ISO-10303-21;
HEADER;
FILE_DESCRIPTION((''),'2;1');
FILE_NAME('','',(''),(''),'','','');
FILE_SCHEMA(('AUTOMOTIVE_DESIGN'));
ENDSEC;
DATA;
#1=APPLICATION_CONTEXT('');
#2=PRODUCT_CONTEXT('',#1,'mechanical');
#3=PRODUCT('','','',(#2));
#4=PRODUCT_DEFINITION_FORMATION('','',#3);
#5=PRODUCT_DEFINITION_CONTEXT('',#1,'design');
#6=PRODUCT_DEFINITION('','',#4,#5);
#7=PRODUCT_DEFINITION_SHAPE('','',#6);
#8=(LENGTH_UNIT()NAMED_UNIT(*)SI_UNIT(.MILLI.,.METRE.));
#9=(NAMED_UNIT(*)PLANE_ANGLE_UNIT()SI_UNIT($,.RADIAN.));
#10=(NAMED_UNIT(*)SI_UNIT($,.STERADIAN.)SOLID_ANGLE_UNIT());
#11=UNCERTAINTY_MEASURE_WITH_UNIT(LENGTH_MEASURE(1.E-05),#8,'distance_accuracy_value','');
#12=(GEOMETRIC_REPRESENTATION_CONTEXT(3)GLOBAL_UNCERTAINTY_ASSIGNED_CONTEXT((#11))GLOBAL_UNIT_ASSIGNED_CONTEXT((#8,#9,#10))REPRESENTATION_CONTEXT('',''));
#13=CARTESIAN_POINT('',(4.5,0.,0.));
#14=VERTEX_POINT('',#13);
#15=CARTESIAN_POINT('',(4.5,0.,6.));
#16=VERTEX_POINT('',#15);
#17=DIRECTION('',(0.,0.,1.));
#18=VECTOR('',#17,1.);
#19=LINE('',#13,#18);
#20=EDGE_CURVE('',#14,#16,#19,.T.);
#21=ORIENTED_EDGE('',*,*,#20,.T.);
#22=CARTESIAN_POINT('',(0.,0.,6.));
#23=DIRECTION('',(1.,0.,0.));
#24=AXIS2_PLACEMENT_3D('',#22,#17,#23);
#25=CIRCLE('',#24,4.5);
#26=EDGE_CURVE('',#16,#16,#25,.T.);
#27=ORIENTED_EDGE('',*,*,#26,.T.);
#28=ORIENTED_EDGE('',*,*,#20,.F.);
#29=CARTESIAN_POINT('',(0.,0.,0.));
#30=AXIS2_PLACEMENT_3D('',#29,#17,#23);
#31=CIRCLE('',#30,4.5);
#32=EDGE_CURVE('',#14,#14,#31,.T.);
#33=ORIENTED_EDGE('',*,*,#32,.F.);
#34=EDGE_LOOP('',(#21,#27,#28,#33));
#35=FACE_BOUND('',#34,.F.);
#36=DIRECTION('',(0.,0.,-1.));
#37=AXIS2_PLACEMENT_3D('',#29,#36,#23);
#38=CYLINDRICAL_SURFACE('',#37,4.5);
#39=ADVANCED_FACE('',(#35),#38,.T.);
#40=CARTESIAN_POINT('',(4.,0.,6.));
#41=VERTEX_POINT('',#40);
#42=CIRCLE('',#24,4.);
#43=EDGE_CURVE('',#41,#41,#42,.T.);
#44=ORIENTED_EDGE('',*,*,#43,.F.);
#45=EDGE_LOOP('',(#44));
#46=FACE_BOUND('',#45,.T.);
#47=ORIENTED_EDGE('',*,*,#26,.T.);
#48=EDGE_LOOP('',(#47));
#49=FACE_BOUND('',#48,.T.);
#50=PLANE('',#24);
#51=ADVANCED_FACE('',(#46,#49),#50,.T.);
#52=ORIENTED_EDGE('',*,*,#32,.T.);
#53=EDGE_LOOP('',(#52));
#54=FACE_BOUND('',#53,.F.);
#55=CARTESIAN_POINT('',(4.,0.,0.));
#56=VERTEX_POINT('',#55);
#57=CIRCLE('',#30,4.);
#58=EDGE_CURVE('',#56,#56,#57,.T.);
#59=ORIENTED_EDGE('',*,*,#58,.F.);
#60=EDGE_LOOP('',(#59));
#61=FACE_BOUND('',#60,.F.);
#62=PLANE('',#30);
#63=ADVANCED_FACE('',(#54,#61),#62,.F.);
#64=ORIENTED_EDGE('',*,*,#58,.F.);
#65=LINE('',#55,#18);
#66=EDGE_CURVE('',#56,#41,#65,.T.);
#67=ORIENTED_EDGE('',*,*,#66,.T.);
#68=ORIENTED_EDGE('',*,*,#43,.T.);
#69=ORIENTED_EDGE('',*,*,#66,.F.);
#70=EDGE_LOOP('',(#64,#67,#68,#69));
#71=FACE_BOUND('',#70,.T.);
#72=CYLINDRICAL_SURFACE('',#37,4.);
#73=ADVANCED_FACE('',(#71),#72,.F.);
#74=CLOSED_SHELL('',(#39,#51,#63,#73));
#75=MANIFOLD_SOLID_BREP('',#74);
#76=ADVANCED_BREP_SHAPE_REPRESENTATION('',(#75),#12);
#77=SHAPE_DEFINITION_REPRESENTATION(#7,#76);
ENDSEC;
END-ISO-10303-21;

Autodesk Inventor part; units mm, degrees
ref_plane "YZ Plane" through (0, 0, 0) normal (1, 0, 0) x (0, 1, 0)
ref_plane "XZ Plane" through (0, 0, 0) normal (0, 1, 0) x (-1, 0, 0)
ref_plane "XY Plane" through (0, 0, 0) normal (0, 0, 1) x (1, 0, 0)
sketch "Sketch1" plane through (0, 0, 0) normal (0, 0, 1) x (1, 0, 0)
  circle A0 centre (0, 0) radius 4
  circle A1 centre (0, 0) radius 4.5
  dimension "d0" = 8
  dimension "d1" = 9
extrude "Extrusion1" add sketch "Sketch1" along normal blind 6
properties part number "Shuck" material "Aluminum 6061-AHC"
